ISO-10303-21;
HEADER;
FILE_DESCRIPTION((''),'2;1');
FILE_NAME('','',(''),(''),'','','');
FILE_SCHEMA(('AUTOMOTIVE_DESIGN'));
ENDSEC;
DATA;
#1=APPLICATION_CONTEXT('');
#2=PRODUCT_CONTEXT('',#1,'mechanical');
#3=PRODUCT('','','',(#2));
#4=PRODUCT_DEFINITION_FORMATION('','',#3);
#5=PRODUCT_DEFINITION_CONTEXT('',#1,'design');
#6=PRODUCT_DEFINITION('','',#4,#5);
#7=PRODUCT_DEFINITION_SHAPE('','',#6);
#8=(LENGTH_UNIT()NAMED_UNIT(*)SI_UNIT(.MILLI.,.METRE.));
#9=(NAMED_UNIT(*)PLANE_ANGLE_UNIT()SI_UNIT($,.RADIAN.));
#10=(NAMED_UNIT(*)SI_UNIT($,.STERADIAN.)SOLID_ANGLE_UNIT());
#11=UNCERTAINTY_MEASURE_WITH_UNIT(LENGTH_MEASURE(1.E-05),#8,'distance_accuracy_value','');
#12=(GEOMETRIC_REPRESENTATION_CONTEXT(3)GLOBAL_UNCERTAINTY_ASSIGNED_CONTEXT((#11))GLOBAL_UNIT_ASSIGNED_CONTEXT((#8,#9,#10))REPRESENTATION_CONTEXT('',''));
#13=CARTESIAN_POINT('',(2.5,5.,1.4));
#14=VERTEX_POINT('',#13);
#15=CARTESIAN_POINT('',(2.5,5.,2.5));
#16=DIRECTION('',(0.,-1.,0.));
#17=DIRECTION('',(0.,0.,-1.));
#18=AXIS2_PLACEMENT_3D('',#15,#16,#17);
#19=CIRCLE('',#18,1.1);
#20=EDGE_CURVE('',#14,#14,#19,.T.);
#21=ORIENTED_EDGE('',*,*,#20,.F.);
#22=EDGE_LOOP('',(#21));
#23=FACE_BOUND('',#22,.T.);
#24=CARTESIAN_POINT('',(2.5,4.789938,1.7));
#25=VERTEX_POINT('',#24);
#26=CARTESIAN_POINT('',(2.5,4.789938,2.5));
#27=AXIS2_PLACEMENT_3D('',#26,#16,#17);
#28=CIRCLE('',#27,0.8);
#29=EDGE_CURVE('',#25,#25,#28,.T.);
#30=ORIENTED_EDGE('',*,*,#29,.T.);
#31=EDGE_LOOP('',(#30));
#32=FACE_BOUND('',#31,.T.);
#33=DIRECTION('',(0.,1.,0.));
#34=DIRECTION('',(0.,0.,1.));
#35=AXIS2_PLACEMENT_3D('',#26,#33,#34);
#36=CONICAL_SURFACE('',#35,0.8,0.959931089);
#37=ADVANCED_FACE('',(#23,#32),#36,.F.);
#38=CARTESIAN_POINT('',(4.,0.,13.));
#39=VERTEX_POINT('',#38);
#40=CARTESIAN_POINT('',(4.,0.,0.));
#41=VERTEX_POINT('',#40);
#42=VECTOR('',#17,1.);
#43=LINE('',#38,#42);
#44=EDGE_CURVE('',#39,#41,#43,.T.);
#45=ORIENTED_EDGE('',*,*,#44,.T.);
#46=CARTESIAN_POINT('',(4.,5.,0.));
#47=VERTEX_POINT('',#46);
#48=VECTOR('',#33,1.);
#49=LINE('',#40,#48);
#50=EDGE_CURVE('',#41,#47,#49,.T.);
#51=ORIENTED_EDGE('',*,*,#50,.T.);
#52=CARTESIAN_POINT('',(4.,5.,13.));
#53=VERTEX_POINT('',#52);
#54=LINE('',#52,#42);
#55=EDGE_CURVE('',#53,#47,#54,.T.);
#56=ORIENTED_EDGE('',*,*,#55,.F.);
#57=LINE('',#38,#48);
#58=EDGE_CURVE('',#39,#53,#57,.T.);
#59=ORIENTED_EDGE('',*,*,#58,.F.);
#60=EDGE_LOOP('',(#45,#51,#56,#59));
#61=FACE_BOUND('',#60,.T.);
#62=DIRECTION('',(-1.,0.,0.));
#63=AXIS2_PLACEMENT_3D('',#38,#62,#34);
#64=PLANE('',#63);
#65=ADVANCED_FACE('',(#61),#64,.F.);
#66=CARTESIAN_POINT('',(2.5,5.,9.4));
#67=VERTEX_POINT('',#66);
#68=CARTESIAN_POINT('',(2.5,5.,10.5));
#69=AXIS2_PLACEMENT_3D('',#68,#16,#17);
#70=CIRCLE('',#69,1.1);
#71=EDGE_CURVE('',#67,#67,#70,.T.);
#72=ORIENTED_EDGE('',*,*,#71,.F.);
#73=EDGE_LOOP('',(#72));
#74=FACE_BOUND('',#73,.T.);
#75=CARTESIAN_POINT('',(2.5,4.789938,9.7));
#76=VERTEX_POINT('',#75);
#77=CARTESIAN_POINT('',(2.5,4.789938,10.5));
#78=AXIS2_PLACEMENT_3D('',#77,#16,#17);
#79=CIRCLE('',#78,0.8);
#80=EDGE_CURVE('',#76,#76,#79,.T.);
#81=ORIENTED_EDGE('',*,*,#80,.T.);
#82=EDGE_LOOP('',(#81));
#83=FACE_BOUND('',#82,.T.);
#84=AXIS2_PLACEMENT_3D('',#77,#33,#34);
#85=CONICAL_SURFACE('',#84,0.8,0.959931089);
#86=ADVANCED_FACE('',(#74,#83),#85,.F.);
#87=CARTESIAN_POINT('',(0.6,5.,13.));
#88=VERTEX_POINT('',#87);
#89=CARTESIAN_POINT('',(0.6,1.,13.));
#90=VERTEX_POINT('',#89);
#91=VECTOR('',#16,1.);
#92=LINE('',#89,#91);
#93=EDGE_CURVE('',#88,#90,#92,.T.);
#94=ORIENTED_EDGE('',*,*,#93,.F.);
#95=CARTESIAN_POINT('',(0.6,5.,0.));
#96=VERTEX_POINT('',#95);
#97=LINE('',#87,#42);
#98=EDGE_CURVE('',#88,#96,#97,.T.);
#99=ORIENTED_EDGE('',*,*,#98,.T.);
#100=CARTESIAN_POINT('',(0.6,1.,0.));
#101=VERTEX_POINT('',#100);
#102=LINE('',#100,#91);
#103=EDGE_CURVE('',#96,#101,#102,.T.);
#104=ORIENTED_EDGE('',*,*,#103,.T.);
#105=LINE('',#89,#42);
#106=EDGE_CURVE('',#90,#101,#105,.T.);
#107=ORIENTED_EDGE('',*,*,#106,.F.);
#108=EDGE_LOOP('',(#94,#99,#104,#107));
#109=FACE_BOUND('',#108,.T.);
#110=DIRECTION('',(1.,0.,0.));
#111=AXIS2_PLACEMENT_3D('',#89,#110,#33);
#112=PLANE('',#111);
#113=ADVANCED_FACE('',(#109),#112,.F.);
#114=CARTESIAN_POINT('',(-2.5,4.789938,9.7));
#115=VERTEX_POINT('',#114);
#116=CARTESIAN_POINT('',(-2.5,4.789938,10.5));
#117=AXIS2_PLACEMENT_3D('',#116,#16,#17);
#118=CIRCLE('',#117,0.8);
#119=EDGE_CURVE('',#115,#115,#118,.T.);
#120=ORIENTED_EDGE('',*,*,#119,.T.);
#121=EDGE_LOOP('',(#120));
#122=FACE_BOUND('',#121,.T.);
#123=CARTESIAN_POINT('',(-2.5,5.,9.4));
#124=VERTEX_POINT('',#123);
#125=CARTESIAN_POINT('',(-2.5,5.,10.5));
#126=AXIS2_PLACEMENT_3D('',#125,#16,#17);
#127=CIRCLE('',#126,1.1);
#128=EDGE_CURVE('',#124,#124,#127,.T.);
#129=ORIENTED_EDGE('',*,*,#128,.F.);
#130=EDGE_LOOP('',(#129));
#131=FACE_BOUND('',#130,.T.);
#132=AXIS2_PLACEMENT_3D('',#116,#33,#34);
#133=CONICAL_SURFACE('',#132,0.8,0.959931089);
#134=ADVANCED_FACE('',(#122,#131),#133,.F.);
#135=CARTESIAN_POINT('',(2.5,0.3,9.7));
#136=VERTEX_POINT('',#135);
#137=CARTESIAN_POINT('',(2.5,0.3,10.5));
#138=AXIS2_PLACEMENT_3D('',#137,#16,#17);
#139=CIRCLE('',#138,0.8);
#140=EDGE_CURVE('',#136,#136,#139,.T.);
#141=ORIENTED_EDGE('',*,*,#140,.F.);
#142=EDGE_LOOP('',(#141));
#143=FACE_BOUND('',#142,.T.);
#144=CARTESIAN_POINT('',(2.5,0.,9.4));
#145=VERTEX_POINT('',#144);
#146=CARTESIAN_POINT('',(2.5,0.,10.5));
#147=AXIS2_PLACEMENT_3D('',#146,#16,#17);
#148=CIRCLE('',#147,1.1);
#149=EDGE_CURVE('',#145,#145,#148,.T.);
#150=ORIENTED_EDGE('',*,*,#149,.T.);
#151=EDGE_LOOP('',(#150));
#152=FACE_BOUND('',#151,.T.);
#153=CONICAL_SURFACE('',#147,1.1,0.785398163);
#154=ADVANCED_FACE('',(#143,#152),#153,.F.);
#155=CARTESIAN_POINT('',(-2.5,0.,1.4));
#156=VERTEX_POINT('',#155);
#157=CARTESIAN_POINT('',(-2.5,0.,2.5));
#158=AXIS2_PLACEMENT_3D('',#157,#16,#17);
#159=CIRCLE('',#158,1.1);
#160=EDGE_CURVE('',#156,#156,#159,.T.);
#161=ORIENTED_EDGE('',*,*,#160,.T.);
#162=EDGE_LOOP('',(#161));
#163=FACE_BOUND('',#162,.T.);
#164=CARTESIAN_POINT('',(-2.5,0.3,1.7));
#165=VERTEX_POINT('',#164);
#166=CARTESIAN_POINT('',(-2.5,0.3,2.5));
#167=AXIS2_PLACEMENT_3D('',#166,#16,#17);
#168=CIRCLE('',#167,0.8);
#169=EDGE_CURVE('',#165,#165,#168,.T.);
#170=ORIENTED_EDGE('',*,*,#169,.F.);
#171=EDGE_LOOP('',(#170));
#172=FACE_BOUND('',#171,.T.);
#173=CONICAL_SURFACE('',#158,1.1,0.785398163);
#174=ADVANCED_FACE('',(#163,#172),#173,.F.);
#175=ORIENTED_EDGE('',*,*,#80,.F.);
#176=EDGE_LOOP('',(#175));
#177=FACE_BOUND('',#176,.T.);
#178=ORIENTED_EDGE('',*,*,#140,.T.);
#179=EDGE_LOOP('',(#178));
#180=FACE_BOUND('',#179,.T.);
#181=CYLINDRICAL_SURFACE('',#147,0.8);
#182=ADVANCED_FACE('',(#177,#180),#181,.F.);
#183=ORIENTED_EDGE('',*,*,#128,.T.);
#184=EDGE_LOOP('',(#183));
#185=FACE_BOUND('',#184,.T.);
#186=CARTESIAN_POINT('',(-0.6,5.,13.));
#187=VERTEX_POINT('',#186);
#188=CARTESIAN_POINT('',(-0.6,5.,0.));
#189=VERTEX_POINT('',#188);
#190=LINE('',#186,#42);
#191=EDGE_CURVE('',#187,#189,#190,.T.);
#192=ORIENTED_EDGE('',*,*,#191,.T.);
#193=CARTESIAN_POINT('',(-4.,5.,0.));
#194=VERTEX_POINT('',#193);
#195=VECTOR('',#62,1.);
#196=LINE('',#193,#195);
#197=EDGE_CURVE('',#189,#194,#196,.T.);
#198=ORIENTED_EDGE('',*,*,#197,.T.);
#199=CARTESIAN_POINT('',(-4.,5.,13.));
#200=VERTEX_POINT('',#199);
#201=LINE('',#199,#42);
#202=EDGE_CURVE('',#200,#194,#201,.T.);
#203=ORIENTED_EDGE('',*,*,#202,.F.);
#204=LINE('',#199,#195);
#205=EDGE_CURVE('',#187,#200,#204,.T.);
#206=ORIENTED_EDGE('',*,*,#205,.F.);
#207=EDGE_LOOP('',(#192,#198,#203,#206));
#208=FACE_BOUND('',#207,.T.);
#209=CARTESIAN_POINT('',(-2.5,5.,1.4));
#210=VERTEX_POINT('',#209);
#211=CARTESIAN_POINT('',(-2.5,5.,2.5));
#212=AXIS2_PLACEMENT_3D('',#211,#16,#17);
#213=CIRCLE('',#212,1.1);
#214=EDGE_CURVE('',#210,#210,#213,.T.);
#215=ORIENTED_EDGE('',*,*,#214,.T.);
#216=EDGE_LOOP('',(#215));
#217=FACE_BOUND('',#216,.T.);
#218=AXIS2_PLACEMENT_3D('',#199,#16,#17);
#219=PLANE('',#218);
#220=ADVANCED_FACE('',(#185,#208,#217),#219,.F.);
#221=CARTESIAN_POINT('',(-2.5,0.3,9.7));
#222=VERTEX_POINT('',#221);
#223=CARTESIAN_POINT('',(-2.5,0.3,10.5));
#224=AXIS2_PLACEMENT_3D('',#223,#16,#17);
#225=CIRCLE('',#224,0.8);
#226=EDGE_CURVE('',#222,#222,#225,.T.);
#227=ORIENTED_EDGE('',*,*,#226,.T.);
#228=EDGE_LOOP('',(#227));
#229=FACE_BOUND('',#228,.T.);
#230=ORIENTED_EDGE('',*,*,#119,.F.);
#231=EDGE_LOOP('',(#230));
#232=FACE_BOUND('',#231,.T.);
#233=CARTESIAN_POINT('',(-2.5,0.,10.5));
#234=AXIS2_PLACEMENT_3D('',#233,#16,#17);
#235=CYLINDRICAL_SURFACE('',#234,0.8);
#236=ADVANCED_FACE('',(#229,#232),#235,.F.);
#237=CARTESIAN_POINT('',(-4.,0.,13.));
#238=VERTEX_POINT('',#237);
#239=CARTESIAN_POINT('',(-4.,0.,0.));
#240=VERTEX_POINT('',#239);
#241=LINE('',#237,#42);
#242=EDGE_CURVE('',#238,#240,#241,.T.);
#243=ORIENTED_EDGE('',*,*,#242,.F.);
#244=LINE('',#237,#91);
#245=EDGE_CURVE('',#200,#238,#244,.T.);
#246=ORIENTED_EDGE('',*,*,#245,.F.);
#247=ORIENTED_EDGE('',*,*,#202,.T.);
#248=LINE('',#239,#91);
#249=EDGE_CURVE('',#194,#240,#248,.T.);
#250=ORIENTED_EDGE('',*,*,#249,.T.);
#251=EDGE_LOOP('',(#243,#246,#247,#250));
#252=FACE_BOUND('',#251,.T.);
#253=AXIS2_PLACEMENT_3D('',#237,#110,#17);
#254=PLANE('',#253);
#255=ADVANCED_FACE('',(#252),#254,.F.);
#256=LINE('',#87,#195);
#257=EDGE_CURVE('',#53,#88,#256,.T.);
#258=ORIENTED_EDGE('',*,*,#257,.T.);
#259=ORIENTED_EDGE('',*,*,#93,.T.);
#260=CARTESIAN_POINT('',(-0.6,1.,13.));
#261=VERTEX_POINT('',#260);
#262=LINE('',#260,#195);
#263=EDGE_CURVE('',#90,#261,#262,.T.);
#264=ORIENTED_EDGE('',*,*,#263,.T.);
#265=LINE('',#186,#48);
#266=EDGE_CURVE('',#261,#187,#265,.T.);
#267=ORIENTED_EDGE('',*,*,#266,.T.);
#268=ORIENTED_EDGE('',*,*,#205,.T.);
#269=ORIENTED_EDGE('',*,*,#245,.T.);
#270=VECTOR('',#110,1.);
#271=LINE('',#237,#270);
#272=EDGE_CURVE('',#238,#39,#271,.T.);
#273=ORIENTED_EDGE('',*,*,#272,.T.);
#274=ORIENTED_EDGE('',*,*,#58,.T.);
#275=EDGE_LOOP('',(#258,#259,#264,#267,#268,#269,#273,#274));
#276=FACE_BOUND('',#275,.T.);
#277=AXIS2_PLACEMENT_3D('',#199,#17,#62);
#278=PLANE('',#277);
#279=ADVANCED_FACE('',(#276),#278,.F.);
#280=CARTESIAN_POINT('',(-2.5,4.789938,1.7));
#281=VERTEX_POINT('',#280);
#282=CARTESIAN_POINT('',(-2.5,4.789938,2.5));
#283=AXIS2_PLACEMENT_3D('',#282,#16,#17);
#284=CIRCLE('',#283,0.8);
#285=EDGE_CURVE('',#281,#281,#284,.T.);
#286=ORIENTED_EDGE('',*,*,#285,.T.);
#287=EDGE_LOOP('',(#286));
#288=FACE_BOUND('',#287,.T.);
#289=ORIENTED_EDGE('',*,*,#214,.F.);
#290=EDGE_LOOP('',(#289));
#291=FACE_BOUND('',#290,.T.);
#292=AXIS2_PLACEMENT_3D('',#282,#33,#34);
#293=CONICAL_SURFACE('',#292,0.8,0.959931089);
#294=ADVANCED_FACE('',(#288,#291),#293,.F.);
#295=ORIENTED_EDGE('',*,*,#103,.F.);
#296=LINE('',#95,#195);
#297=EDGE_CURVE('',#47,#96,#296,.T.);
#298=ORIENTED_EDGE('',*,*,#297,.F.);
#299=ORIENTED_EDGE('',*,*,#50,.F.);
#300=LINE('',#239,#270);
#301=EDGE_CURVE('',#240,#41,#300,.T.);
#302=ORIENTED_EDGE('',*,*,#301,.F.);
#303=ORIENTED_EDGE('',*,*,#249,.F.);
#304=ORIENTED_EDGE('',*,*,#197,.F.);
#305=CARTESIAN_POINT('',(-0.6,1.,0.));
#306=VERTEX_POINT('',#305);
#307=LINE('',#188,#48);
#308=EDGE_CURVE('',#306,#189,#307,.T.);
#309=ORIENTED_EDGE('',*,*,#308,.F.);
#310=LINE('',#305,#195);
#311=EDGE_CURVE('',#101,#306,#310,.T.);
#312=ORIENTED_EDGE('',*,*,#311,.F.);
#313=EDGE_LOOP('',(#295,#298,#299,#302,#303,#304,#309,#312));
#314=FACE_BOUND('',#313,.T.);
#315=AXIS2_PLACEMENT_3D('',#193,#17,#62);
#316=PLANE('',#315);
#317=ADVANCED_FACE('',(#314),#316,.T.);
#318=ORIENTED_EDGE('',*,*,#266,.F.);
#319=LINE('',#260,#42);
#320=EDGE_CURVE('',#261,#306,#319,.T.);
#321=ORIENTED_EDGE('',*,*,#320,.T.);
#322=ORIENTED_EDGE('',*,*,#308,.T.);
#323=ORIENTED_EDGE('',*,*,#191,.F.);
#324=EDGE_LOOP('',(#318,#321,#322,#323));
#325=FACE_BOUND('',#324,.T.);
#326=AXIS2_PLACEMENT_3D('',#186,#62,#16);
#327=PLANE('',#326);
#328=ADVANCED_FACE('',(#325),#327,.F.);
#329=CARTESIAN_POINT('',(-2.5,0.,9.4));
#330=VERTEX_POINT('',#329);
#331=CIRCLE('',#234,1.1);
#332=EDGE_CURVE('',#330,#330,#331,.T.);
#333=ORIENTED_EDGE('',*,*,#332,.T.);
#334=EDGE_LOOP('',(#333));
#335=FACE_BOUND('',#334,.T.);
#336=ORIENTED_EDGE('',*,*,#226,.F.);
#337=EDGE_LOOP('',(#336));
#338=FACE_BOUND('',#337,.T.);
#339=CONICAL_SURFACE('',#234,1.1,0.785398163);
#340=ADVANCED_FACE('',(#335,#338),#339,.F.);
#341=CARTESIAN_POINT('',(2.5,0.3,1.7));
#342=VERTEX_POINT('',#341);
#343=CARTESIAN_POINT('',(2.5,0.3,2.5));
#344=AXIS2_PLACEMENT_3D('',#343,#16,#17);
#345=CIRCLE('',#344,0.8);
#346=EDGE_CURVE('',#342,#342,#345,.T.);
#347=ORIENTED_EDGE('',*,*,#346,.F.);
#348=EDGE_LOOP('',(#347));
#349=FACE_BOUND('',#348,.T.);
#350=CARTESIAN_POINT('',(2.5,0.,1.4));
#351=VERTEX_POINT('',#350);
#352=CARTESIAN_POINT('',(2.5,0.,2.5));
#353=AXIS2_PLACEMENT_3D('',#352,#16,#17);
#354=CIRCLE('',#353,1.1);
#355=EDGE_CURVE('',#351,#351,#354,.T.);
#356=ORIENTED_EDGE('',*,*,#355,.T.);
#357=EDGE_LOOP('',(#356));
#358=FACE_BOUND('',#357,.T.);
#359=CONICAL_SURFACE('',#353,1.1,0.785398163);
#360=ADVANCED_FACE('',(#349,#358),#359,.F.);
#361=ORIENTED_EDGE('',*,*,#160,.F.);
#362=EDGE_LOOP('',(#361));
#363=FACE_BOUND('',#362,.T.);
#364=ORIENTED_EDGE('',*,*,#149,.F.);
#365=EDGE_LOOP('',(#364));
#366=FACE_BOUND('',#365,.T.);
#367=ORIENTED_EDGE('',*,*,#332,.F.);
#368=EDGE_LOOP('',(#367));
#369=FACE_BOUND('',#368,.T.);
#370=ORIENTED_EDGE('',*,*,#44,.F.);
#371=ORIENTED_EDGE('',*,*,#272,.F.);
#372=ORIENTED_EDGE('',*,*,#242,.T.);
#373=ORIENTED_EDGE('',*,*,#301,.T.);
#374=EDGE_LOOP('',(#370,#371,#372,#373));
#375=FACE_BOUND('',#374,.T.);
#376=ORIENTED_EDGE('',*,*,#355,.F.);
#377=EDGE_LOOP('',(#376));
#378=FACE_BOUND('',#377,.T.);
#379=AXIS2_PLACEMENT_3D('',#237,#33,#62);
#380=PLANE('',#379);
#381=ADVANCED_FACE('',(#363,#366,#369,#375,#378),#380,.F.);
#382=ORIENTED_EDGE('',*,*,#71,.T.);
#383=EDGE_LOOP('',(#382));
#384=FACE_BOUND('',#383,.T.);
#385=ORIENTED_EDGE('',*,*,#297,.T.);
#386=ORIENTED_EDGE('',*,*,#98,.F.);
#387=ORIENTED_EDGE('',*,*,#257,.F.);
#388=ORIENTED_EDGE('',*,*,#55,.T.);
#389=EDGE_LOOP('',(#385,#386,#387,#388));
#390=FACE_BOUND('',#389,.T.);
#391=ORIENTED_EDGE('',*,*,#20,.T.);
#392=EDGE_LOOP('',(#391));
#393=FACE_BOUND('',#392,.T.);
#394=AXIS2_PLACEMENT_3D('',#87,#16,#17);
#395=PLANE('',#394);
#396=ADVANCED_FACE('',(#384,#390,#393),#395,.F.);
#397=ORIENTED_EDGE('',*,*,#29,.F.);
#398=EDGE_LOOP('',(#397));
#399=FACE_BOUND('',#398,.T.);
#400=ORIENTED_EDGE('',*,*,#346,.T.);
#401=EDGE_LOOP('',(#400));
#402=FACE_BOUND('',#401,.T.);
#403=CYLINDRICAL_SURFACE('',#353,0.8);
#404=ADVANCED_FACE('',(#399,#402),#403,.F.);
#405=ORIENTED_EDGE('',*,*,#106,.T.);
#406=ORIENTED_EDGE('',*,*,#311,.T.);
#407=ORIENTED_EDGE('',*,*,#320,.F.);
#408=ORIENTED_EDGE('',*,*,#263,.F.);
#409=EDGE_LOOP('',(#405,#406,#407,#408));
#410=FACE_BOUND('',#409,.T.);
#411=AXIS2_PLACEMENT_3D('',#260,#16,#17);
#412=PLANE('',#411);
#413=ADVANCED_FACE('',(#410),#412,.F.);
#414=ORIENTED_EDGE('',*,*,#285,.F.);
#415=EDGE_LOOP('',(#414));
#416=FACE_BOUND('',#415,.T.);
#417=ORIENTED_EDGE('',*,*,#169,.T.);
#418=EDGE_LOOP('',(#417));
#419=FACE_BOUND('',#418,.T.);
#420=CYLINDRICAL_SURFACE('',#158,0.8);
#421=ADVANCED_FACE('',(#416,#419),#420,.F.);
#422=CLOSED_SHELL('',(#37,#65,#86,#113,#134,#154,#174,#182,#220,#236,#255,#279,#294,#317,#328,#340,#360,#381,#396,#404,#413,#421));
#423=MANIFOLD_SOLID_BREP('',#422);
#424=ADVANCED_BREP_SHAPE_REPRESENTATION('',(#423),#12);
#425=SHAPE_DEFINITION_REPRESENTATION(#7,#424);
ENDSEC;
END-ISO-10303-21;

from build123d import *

# Parameters (mm, degrees)
EXTRUDE_1_DEPTH    = 13
M2X0_41_AT_2_COUNT = 2
M2X0_41_AT_2_PITCH = 5
M2X0_41_AT_3_COUNT = 2
M2X0_41_AT_3_PITCH = 9.433981132
M2X0_41_AT_4_COUNT = 2
M2X0_41_AT_4_PITCH = 8


with BuildPart() as part:
    # Эскиз1 → Бобышка-Вытянуть1 (new body)
    with BuildSketch(Plane.XY):
        Polygon((-4, 5), (-0.6, 5), (-0.6, 1), (0.6, 1), (0.6, 5), (4, 5), (4, 0), (-4, 0), align=None)
    extrude(amount=EXTRUDE_1_DEPTH)

    # Эскиз2 → Отверстие обработанное метчиком M2x0.41 (revolve, cut)
    with BuildSketch(Plane(origin=(-2.5, 0, 10.5), x_dir=(0, 0, -1), z_dir=(1, 0, 0))):
        Polygon((0, 0), (0, 5), (1.1, 5), (0.8, 4.789937739), (0.8, 0.3), (1.1, 0), align=None)
    m2x0_41 = revolve(axis=Axis((-2.5, -6.35, 10.5), (0, 1, 0)), mode=Mode.SUBTRACT)

    # Отверстие обработанное метчиком M2x0.41 at 2: Отверстие обработанное метчиком M2x0.41 ×2
    with Locations(*[(i * M2X0_41_AT_2_PITCH, 0, 0) for i in range(1, M2X0_41_AT_2_COUNT)]):
        add(m2x0_41, mode=Mode.SUBTRACT)

    # Отверстие обработанное метчиком M2x0.41 at 3: Отверстие обработанное метчиком M2x0.41 ×2
    with Locations(*[Vector(0.52999894, 0, -0.847998304) * (i * M2X0_41_AT_3_PITCH) for i in range(1, M2X0_41_AT_3_COUNT)]):
        add(m2x0_41, mode=Mode.SUBTRACT)

    # Отверстие обработанное метчиком M2x0.41 at 4: Отверстие обработанное метчиком M2x0.41 ×2
    with Locations(*[(0, 0, -i * M2X0_41_AT_4_PITCH) for i in range(1, M2X0_41_AT_4_COUNT)]):
        add(m2x0_41, mode=Mode.SUBTRACT)


solid = part.part
